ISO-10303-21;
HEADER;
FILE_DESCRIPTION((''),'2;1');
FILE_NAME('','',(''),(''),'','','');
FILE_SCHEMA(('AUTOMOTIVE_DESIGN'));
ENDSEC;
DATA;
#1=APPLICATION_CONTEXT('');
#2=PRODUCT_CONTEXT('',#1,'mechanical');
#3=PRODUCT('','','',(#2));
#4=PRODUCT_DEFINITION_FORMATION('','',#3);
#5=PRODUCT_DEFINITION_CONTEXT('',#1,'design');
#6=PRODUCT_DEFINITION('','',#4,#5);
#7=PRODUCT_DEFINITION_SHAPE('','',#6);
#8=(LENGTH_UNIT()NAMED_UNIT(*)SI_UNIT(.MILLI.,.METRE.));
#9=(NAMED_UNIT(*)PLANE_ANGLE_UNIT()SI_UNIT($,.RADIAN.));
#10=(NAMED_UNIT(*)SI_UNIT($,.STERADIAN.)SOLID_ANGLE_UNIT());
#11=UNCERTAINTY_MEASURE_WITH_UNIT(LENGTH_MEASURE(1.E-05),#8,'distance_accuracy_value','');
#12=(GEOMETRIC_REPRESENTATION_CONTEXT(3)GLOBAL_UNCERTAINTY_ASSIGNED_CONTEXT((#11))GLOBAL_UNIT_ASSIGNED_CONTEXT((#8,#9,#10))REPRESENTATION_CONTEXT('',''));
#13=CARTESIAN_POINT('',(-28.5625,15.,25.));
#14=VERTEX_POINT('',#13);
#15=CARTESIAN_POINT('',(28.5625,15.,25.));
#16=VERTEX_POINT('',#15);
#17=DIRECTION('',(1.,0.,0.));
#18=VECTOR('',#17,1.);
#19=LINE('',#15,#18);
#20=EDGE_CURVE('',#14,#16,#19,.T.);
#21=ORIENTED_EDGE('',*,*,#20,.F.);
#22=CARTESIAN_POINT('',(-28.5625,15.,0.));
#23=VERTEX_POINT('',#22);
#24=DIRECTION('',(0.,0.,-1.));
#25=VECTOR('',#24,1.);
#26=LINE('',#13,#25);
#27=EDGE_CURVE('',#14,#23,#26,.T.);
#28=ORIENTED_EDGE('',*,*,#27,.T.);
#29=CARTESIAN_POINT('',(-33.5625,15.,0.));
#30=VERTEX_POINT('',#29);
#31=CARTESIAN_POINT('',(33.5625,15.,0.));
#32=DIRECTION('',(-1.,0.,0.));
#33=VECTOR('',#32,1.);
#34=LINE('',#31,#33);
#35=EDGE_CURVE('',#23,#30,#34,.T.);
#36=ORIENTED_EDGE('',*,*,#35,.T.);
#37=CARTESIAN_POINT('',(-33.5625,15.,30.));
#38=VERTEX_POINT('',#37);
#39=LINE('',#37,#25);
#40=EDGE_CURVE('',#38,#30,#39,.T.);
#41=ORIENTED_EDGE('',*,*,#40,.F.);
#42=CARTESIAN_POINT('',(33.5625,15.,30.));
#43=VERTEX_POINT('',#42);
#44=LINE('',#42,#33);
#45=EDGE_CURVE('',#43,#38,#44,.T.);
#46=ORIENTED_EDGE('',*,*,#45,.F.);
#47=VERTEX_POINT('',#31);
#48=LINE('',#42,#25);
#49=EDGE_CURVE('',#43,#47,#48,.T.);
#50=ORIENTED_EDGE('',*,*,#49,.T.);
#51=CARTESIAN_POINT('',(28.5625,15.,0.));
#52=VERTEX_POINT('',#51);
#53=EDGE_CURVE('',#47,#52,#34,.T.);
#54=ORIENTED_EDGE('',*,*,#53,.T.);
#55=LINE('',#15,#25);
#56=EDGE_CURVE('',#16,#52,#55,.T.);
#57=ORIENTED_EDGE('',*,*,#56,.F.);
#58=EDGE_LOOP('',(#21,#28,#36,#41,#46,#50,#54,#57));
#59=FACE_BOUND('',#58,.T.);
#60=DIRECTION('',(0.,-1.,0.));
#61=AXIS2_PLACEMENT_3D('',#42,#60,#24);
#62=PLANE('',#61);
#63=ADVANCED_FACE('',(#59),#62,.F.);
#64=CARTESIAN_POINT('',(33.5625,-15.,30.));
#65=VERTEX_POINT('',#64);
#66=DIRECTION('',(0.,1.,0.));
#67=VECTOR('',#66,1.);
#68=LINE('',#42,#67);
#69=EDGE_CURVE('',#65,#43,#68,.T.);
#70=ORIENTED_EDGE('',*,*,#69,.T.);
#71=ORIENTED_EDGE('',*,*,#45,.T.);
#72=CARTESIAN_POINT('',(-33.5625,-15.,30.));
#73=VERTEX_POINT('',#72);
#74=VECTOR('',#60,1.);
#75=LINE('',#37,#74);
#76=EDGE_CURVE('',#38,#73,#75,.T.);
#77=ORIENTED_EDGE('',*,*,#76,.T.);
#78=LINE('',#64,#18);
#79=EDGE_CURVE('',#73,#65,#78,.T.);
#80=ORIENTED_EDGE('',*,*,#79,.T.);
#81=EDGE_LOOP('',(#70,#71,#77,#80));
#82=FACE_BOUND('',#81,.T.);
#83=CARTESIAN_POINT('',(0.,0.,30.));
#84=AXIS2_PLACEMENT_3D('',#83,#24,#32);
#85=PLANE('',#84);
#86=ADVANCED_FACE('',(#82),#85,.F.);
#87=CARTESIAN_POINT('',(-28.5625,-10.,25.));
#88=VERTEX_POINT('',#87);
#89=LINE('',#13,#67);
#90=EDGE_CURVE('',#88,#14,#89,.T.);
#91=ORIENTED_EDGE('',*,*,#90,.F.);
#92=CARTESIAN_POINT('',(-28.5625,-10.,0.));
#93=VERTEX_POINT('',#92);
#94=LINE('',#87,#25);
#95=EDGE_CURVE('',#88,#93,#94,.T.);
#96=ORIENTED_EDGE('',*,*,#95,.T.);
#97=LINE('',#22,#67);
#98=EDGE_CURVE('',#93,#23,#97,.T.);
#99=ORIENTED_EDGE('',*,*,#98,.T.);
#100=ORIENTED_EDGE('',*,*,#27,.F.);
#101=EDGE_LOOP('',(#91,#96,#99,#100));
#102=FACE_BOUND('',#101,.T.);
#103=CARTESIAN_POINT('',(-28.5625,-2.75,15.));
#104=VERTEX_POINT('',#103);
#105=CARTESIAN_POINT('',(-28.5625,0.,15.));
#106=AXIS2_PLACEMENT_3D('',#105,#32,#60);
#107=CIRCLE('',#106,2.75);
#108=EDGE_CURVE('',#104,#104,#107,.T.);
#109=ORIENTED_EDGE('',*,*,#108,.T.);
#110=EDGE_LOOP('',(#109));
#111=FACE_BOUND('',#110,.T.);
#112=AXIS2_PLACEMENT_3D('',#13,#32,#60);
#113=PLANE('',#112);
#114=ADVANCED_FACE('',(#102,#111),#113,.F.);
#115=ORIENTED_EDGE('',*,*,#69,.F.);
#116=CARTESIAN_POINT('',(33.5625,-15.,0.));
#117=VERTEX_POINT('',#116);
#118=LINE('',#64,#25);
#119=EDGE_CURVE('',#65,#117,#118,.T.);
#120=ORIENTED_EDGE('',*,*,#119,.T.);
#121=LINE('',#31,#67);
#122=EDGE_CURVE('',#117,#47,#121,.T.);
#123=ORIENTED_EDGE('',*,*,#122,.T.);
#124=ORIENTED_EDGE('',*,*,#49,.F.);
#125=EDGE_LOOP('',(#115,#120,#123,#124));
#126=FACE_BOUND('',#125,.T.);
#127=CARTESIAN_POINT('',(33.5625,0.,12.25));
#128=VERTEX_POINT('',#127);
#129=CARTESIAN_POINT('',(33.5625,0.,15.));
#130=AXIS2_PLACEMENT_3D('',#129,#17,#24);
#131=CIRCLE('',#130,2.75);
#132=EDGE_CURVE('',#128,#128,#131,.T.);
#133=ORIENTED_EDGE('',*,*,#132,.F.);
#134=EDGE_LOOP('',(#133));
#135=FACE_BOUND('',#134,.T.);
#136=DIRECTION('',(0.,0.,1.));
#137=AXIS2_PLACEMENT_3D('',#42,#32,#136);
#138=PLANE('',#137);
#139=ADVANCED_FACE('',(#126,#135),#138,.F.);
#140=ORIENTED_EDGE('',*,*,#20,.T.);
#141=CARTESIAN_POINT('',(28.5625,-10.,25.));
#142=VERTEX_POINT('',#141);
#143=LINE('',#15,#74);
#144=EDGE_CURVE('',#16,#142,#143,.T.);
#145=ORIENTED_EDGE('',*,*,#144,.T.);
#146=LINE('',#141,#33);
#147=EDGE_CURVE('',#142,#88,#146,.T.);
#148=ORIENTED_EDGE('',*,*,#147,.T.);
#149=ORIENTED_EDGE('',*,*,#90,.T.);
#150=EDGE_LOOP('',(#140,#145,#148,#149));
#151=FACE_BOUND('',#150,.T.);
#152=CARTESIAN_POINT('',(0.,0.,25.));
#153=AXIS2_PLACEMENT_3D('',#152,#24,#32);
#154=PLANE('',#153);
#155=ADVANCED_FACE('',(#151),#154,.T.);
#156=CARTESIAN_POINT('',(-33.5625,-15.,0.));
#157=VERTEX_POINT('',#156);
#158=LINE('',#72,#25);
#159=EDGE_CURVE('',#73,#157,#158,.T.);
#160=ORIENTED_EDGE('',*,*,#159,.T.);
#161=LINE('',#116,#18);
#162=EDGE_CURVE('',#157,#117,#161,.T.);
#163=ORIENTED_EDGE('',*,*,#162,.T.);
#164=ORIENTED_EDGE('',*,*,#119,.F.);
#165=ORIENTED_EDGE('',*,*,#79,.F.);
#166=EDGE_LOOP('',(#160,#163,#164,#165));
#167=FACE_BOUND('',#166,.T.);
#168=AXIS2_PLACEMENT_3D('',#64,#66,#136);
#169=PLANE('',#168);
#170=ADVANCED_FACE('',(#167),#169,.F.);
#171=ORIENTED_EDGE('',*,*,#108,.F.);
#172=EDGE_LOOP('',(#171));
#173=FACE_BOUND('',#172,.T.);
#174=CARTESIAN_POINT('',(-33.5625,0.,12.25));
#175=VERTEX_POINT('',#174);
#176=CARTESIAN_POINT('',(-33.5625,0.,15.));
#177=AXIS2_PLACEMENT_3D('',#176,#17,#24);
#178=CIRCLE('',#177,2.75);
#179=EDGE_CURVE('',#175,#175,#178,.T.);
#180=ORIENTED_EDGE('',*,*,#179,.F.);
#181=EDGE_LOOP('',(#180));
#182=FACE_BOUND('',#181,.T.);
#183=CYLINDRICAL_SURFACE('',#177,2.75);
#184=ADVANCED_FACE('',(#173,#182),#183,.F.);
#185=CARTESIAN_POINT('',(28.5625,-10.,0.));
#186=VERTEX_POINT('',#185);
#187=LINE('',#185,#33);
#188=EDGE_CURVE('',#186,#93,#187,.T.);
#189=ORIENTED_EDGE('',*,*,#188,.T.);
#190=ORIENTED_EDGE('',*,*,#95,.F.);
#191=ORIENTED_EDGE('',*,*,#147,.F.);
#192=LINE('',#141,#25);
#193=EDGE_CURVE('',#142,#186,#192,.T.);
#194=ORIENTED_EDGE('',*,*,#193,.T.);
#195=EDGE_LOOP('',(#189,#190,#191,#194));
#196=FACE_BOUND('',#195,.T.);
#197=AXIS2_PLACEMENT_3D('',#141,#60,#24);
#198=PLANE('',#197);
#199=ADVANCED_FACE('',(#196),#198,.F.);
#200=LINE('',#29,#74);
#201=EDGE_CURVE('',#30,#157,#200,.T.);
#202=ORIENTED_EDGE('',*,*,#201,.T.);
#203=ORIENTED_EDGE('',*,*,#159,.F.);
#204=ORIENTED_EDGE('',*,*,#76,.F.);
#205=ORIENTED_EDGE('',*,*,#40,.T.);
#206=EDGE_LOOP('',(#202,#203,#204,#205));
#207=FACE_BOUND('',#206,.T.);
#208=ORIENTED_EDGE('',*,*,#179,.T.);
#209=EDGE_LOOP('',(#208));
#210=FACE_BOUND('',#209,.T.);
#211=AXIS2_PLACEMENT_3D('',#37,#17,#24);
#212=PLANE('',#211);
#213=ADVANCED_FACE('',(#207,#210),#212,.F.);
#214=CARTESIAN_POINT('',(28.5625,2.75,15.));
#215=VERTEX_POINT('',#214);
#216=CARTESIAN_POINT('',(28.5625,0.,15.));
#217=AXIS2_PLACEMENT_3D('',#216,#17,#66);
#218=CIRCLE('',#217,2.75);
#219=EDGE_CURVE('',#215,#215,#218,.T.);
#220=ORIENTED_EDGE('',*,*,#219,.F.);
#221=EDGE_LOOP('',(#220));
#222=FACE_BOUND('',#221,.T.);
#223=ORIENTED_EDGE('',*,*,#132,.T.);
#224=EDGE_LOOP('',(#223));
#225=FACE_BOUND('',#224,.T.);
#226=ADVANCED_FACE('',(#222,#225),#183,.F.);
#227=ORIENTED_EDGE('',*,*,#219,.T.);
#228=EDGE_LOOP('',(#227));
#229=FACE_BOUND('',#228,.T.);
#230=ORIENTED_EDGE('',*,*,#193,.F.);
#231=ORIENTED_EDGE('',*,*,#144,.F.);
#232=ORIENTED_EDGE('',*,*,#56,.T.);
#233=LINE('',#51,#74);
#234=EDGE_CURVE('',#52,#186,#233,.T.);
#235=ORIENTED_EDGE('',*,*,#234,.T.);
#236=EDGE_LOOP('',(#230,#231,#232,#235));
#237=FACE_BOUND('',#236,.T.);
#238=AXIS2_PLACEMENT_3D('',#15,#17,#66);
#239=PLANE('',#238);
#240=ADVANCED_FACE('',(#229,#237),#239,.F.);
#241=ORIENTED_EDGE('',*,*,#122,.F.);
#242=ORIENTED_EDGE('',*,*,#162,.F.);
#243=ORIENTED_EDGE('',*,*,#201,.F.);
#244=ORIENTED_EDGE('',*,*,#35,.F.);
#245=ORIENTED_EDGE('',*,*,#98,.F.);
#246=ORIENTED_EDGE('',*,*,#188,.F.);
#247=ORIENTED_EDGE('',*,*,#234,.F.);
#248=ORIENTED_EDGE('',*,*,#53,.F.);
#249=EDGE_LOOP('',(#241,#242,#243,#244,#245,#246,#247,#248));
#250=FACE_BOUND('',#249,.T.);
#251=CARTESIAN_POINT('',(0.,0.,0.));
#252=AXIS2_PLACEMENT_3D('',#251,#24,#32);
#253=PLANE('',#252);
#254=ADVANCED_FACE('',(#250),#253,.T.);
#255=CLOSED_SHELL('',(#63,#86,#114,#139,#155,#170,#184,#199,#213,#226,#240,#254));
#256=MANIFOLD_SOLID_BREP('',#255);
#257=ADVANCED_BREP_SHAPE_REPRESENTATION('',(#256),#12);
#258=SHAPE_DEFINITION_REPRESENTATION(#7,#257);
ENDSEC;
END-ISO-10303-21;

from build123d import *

# Parameters (mm, degrees)
SKETCH1_W           = 67.125
SKETCH1_H           = 30
BOSS_EXTRUDE1_DEPTH = 30
SKETCH2_W           = 57.125
SKETCH2_H           = 25
CUT_EXTRUDE1_DEPTH  = 25
SKETCH3_R           = 2.75
CUT_EXTRUDE2_DEPTH  = 76.038427655


with BuildPart() as part:
    # Sketch1 → Boss-Extrude1 (new body)
    with BuildSketch(Plane.XY):
        Rectangle(SKETCH1_W, SKETCH1_H)
    extrude(amount=BOSS_EXTRUDE1_DEPTH)

    # Sketch2 → Cut-Extrude1 (cut)
    with BuildSketch(Plane(origin=(0, 0, 0), x_dir=(-1, 0, 0), z_dir=(0, 0, -1))):
        with Locations((0, 2.5)):
            Rectangle(SKETCH2_W, SKETCH2_H)
    extrude(amount=-CUT_EXTRUDE1_DEPTH, mode=Mode.SUBTRACT)

    # Sketch3 → Cut-Extrude2 (cut, through all)
    with BuildSketch(Plane(origin=(33.5625, 0, 0), x_dir=(0, 0, -1), z_dir=(1, 0, 0))):
        with Locations((-15, 0)):
            Circle(SKETCH3_R)
    extrude(amount=-CUT_EXTRUDE2_DEPTH, mode=Mode.SUBTRACT)


solid = part.part
